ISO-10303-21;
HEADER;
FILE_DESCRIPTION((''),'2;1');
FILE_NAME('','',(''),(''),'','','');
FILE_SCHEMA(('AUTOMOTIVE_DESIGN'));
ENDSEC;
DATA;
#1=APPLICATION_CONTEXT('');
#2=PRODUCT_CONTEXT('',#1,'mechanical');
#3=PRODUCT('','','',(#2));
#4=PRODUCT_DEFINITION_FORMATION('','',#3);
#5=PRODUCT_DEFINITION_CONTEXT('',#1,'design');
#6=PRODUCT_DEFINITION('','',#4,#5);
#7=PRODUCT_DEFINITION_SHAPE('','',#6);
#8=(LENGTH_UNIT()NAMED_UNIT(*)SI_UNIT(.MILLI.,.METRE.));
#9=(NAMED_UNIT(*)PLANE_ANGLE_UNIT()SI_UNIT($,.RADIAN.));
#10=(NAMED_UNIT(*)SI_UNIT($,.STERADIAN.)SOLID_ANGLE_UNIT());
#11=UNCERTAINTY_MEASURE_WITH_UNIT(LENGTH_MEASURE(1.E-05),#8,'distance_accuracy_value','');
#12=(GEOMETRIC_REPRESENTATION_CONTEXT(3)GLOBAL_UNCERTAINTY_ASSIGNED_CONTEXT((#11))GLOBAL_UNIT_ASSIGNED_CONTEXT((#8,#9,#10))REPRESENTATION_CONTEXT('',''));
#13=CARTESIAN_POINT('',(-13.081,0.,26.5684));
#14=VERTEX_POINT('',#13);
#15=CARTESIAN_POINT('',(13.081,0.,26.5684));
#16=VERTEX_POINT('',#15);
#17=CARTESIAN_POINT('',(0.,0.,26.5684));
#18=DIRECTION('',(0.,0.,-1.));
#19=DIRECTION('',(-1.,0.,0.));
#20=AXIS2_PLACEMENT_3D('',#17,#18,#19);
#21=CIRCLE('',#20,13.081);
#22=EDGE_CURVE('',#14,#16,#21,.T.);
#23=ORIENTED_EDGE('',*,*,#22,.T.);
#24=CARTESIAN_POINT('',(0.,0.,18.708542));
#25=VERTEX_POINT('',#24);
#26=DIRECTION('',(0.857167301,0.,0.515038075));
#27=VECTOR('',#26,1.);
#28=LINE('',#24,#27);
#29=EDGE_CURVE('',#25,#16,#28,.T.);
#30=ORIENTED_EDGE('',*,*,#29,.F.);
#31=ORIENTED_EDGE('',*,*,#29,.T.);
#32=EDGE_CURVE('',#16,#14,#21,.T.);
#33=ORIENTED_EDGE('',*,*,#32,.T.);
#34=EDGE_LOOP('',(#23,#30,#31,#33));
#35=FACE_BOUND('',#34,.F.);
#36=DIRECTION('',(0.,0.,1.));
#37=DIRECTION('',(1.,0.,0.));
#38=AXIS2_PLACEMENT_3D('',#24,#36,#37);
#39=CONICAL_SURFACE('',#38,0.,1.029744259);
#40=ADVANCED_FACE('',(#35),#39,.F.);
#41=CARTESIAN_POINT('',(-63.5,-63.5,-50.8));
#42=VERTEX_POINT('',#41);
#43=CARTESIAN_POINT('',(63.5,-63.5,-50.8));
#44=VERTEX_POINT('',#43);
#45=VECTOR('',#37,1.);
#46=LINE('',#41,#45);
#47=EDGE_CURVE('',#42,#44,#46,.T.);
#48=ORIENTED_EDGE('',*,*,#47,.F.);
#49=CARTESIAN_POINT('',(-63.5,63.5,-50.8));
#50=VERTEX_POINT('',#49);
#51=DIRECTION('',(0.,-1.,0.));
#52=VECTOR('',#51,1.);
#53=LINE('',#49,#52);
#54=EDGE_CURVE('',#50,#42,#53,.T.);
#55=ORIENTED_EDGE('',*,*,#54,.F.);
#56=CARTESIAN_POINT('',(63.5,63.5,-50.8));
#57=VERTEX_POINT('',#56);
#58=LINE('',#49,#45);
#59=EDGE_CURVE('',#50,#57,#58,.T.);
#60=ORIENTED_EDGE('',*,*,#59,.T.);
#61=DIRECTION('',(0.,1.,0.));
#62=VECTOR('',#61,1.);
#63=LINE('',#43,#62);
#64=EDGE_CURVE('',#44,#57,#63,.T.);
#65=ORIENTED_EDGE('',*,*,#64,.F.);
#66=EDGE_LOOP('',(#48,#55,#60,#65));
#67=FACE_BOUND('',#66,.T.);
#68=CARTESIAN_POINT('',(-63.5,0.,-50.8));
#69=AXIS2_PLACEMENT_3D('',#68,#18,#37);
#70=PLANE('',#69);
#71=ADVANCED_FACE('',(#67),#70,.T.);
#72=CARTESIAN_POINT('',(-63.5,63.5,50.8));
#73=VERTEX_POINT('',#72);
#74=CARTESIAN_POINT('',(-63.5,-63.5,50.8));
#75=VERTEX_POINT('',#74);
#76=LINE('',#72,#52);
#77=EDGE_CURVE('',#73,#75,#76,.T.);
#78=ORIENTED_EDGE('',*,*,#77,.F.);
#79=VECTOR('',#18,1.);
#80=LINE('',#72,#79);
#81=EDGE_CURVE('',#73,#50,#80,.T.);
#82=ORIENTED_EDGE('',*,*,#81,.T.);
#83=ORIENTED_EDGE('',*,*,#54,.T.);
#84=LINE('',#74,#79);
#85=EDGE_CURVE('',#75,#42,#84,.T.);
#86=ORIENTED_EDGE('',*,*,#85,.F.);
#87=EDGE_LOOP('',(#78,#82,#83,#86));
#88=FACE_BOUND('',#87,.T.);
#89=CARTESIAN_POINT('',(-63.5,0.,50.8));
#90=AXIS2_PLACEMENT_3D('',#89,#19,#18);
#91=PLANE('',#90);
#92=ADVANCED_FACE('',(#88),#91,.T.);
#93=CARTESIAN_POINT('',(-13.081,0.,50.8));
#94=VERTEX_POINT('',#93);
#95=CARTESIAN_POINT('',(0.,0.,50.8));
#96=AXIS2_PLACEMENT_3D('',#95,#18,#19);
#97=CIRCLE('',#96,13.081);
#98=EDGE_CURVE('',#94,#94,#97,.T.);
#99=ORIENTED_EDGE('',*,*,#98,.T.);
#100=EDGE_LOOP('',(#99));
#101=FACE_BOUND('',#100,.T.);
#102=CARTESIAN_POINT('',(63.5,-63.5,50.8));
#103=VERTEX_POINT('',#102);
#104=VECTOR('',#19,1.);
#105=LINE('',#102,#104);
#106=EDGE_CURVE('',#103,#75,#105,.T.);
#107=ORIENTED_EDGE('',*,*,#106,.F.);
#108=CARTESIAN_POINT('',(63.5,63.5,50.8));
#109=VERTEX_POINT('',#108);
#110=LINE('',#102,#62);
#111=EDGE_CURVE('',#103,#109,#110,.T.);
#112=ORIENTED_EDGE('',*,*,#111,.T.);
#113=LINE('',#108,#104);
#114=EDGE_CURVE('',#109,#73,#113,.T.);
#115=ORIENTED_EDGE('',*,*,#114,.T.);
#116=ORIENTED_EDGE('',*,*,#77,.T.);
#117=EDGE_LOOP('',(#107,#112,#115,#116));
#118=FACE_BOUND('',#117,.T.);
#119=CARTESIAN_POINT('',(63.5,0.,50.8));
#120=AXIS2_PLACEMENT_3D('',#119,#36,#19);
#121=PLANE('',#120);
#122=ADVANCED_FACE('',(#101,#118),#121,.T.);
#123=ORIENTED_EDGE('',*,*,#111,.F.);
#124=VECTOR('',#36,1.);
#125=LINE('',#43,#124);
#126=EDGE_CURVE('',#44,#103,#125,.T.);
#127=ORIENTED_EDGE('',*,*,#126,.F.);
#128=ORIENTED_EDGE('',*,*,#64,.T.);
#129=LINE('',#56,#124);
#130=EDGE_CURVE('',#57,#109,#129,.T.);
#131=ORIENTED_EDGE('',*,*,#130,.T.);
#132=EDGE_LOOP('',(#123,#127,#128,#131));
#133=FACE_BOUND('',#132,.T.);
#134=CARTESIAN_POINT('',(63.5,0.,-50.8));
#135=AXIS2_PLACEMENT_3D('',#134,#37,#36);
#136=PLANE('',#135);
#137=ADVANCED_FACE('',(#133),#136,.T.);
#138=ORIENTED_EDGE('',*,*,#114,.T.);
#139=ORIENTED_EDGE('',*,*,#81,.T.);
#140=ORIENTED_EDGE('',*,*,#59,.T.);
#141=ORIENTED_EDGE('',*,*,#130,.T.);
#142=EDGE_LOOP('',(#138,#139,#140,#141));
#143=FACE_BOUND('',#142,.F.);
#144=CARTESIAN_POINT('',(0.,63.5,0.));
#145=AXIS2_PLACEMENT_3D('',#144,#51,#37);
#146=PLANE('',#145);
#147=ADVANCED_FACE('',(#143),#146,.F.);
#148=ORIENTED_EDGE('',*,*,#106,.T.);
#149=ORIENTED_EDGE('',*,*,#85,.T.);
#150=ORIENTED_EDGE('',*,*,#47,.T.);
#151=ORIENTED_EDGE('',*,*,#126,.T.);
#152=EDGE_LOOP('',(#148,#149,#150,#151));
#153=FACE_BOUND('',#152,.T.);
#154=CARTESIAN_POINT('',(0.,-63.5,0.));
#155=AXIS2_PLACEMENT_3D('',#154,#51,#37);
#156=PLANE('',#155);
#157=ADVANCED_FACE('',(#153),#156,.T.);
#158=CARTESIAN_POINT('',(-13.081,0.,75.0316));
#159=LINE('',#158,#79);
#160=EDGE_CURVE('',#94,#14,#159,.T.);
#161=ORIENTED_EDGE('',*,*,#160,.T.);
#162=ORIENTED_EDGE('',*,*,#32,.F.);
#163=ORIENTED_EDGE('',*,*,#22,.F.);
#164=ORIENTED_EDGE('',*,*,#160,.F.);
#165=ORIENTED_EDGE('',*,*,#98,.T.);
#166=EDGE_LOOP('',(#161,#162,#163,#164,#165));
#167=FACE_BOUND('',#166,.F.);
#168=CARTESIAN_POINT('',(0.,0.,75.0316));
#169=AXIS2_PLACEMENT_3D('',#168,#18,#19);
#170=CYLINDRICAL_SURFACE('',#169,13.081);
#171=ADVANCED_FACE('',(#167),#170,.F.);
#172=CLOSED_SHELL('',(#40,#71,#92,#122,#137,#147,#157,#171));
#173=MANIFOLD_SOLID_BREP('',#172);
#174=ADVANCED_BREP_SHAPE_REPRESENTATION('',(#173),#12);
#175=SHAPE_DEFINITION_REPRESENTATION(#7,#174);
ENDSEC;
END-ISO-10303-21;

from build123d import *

# Parameters (mm, degrees)
F1_DEPTH = 63.5
F3_D     = 26.162
F3_DEPTH = 24.2316
F3_TIP   = 7.8598577575


with BuildPart() as f1:
    # F0 (on Front) → F1 (new body, symmetric)
    with BuildSketch(Plane.XZ):
        Polygon((63.5, 50.8), (0, 50.8), (-63.5, 50.8), (-63.5, -50.8), (63.5, -50.8), align=None)
    extrude(amount=F1_DEPTH, both=True)

    # F3
    with Locations(Plane.XY.offset(50.8)):
        with Locations((0, 0)):
            Hole(F3_D / 2, depth=F3_DEPTH)
            with Locations((0, 0, -(F3_DEPTH + F3_TIP / 2))):  # 118° drill point
                Cone(0, F3_D / 2, F3_TIP, mode=Mode.SUBTRACT)


solid = f1.part
